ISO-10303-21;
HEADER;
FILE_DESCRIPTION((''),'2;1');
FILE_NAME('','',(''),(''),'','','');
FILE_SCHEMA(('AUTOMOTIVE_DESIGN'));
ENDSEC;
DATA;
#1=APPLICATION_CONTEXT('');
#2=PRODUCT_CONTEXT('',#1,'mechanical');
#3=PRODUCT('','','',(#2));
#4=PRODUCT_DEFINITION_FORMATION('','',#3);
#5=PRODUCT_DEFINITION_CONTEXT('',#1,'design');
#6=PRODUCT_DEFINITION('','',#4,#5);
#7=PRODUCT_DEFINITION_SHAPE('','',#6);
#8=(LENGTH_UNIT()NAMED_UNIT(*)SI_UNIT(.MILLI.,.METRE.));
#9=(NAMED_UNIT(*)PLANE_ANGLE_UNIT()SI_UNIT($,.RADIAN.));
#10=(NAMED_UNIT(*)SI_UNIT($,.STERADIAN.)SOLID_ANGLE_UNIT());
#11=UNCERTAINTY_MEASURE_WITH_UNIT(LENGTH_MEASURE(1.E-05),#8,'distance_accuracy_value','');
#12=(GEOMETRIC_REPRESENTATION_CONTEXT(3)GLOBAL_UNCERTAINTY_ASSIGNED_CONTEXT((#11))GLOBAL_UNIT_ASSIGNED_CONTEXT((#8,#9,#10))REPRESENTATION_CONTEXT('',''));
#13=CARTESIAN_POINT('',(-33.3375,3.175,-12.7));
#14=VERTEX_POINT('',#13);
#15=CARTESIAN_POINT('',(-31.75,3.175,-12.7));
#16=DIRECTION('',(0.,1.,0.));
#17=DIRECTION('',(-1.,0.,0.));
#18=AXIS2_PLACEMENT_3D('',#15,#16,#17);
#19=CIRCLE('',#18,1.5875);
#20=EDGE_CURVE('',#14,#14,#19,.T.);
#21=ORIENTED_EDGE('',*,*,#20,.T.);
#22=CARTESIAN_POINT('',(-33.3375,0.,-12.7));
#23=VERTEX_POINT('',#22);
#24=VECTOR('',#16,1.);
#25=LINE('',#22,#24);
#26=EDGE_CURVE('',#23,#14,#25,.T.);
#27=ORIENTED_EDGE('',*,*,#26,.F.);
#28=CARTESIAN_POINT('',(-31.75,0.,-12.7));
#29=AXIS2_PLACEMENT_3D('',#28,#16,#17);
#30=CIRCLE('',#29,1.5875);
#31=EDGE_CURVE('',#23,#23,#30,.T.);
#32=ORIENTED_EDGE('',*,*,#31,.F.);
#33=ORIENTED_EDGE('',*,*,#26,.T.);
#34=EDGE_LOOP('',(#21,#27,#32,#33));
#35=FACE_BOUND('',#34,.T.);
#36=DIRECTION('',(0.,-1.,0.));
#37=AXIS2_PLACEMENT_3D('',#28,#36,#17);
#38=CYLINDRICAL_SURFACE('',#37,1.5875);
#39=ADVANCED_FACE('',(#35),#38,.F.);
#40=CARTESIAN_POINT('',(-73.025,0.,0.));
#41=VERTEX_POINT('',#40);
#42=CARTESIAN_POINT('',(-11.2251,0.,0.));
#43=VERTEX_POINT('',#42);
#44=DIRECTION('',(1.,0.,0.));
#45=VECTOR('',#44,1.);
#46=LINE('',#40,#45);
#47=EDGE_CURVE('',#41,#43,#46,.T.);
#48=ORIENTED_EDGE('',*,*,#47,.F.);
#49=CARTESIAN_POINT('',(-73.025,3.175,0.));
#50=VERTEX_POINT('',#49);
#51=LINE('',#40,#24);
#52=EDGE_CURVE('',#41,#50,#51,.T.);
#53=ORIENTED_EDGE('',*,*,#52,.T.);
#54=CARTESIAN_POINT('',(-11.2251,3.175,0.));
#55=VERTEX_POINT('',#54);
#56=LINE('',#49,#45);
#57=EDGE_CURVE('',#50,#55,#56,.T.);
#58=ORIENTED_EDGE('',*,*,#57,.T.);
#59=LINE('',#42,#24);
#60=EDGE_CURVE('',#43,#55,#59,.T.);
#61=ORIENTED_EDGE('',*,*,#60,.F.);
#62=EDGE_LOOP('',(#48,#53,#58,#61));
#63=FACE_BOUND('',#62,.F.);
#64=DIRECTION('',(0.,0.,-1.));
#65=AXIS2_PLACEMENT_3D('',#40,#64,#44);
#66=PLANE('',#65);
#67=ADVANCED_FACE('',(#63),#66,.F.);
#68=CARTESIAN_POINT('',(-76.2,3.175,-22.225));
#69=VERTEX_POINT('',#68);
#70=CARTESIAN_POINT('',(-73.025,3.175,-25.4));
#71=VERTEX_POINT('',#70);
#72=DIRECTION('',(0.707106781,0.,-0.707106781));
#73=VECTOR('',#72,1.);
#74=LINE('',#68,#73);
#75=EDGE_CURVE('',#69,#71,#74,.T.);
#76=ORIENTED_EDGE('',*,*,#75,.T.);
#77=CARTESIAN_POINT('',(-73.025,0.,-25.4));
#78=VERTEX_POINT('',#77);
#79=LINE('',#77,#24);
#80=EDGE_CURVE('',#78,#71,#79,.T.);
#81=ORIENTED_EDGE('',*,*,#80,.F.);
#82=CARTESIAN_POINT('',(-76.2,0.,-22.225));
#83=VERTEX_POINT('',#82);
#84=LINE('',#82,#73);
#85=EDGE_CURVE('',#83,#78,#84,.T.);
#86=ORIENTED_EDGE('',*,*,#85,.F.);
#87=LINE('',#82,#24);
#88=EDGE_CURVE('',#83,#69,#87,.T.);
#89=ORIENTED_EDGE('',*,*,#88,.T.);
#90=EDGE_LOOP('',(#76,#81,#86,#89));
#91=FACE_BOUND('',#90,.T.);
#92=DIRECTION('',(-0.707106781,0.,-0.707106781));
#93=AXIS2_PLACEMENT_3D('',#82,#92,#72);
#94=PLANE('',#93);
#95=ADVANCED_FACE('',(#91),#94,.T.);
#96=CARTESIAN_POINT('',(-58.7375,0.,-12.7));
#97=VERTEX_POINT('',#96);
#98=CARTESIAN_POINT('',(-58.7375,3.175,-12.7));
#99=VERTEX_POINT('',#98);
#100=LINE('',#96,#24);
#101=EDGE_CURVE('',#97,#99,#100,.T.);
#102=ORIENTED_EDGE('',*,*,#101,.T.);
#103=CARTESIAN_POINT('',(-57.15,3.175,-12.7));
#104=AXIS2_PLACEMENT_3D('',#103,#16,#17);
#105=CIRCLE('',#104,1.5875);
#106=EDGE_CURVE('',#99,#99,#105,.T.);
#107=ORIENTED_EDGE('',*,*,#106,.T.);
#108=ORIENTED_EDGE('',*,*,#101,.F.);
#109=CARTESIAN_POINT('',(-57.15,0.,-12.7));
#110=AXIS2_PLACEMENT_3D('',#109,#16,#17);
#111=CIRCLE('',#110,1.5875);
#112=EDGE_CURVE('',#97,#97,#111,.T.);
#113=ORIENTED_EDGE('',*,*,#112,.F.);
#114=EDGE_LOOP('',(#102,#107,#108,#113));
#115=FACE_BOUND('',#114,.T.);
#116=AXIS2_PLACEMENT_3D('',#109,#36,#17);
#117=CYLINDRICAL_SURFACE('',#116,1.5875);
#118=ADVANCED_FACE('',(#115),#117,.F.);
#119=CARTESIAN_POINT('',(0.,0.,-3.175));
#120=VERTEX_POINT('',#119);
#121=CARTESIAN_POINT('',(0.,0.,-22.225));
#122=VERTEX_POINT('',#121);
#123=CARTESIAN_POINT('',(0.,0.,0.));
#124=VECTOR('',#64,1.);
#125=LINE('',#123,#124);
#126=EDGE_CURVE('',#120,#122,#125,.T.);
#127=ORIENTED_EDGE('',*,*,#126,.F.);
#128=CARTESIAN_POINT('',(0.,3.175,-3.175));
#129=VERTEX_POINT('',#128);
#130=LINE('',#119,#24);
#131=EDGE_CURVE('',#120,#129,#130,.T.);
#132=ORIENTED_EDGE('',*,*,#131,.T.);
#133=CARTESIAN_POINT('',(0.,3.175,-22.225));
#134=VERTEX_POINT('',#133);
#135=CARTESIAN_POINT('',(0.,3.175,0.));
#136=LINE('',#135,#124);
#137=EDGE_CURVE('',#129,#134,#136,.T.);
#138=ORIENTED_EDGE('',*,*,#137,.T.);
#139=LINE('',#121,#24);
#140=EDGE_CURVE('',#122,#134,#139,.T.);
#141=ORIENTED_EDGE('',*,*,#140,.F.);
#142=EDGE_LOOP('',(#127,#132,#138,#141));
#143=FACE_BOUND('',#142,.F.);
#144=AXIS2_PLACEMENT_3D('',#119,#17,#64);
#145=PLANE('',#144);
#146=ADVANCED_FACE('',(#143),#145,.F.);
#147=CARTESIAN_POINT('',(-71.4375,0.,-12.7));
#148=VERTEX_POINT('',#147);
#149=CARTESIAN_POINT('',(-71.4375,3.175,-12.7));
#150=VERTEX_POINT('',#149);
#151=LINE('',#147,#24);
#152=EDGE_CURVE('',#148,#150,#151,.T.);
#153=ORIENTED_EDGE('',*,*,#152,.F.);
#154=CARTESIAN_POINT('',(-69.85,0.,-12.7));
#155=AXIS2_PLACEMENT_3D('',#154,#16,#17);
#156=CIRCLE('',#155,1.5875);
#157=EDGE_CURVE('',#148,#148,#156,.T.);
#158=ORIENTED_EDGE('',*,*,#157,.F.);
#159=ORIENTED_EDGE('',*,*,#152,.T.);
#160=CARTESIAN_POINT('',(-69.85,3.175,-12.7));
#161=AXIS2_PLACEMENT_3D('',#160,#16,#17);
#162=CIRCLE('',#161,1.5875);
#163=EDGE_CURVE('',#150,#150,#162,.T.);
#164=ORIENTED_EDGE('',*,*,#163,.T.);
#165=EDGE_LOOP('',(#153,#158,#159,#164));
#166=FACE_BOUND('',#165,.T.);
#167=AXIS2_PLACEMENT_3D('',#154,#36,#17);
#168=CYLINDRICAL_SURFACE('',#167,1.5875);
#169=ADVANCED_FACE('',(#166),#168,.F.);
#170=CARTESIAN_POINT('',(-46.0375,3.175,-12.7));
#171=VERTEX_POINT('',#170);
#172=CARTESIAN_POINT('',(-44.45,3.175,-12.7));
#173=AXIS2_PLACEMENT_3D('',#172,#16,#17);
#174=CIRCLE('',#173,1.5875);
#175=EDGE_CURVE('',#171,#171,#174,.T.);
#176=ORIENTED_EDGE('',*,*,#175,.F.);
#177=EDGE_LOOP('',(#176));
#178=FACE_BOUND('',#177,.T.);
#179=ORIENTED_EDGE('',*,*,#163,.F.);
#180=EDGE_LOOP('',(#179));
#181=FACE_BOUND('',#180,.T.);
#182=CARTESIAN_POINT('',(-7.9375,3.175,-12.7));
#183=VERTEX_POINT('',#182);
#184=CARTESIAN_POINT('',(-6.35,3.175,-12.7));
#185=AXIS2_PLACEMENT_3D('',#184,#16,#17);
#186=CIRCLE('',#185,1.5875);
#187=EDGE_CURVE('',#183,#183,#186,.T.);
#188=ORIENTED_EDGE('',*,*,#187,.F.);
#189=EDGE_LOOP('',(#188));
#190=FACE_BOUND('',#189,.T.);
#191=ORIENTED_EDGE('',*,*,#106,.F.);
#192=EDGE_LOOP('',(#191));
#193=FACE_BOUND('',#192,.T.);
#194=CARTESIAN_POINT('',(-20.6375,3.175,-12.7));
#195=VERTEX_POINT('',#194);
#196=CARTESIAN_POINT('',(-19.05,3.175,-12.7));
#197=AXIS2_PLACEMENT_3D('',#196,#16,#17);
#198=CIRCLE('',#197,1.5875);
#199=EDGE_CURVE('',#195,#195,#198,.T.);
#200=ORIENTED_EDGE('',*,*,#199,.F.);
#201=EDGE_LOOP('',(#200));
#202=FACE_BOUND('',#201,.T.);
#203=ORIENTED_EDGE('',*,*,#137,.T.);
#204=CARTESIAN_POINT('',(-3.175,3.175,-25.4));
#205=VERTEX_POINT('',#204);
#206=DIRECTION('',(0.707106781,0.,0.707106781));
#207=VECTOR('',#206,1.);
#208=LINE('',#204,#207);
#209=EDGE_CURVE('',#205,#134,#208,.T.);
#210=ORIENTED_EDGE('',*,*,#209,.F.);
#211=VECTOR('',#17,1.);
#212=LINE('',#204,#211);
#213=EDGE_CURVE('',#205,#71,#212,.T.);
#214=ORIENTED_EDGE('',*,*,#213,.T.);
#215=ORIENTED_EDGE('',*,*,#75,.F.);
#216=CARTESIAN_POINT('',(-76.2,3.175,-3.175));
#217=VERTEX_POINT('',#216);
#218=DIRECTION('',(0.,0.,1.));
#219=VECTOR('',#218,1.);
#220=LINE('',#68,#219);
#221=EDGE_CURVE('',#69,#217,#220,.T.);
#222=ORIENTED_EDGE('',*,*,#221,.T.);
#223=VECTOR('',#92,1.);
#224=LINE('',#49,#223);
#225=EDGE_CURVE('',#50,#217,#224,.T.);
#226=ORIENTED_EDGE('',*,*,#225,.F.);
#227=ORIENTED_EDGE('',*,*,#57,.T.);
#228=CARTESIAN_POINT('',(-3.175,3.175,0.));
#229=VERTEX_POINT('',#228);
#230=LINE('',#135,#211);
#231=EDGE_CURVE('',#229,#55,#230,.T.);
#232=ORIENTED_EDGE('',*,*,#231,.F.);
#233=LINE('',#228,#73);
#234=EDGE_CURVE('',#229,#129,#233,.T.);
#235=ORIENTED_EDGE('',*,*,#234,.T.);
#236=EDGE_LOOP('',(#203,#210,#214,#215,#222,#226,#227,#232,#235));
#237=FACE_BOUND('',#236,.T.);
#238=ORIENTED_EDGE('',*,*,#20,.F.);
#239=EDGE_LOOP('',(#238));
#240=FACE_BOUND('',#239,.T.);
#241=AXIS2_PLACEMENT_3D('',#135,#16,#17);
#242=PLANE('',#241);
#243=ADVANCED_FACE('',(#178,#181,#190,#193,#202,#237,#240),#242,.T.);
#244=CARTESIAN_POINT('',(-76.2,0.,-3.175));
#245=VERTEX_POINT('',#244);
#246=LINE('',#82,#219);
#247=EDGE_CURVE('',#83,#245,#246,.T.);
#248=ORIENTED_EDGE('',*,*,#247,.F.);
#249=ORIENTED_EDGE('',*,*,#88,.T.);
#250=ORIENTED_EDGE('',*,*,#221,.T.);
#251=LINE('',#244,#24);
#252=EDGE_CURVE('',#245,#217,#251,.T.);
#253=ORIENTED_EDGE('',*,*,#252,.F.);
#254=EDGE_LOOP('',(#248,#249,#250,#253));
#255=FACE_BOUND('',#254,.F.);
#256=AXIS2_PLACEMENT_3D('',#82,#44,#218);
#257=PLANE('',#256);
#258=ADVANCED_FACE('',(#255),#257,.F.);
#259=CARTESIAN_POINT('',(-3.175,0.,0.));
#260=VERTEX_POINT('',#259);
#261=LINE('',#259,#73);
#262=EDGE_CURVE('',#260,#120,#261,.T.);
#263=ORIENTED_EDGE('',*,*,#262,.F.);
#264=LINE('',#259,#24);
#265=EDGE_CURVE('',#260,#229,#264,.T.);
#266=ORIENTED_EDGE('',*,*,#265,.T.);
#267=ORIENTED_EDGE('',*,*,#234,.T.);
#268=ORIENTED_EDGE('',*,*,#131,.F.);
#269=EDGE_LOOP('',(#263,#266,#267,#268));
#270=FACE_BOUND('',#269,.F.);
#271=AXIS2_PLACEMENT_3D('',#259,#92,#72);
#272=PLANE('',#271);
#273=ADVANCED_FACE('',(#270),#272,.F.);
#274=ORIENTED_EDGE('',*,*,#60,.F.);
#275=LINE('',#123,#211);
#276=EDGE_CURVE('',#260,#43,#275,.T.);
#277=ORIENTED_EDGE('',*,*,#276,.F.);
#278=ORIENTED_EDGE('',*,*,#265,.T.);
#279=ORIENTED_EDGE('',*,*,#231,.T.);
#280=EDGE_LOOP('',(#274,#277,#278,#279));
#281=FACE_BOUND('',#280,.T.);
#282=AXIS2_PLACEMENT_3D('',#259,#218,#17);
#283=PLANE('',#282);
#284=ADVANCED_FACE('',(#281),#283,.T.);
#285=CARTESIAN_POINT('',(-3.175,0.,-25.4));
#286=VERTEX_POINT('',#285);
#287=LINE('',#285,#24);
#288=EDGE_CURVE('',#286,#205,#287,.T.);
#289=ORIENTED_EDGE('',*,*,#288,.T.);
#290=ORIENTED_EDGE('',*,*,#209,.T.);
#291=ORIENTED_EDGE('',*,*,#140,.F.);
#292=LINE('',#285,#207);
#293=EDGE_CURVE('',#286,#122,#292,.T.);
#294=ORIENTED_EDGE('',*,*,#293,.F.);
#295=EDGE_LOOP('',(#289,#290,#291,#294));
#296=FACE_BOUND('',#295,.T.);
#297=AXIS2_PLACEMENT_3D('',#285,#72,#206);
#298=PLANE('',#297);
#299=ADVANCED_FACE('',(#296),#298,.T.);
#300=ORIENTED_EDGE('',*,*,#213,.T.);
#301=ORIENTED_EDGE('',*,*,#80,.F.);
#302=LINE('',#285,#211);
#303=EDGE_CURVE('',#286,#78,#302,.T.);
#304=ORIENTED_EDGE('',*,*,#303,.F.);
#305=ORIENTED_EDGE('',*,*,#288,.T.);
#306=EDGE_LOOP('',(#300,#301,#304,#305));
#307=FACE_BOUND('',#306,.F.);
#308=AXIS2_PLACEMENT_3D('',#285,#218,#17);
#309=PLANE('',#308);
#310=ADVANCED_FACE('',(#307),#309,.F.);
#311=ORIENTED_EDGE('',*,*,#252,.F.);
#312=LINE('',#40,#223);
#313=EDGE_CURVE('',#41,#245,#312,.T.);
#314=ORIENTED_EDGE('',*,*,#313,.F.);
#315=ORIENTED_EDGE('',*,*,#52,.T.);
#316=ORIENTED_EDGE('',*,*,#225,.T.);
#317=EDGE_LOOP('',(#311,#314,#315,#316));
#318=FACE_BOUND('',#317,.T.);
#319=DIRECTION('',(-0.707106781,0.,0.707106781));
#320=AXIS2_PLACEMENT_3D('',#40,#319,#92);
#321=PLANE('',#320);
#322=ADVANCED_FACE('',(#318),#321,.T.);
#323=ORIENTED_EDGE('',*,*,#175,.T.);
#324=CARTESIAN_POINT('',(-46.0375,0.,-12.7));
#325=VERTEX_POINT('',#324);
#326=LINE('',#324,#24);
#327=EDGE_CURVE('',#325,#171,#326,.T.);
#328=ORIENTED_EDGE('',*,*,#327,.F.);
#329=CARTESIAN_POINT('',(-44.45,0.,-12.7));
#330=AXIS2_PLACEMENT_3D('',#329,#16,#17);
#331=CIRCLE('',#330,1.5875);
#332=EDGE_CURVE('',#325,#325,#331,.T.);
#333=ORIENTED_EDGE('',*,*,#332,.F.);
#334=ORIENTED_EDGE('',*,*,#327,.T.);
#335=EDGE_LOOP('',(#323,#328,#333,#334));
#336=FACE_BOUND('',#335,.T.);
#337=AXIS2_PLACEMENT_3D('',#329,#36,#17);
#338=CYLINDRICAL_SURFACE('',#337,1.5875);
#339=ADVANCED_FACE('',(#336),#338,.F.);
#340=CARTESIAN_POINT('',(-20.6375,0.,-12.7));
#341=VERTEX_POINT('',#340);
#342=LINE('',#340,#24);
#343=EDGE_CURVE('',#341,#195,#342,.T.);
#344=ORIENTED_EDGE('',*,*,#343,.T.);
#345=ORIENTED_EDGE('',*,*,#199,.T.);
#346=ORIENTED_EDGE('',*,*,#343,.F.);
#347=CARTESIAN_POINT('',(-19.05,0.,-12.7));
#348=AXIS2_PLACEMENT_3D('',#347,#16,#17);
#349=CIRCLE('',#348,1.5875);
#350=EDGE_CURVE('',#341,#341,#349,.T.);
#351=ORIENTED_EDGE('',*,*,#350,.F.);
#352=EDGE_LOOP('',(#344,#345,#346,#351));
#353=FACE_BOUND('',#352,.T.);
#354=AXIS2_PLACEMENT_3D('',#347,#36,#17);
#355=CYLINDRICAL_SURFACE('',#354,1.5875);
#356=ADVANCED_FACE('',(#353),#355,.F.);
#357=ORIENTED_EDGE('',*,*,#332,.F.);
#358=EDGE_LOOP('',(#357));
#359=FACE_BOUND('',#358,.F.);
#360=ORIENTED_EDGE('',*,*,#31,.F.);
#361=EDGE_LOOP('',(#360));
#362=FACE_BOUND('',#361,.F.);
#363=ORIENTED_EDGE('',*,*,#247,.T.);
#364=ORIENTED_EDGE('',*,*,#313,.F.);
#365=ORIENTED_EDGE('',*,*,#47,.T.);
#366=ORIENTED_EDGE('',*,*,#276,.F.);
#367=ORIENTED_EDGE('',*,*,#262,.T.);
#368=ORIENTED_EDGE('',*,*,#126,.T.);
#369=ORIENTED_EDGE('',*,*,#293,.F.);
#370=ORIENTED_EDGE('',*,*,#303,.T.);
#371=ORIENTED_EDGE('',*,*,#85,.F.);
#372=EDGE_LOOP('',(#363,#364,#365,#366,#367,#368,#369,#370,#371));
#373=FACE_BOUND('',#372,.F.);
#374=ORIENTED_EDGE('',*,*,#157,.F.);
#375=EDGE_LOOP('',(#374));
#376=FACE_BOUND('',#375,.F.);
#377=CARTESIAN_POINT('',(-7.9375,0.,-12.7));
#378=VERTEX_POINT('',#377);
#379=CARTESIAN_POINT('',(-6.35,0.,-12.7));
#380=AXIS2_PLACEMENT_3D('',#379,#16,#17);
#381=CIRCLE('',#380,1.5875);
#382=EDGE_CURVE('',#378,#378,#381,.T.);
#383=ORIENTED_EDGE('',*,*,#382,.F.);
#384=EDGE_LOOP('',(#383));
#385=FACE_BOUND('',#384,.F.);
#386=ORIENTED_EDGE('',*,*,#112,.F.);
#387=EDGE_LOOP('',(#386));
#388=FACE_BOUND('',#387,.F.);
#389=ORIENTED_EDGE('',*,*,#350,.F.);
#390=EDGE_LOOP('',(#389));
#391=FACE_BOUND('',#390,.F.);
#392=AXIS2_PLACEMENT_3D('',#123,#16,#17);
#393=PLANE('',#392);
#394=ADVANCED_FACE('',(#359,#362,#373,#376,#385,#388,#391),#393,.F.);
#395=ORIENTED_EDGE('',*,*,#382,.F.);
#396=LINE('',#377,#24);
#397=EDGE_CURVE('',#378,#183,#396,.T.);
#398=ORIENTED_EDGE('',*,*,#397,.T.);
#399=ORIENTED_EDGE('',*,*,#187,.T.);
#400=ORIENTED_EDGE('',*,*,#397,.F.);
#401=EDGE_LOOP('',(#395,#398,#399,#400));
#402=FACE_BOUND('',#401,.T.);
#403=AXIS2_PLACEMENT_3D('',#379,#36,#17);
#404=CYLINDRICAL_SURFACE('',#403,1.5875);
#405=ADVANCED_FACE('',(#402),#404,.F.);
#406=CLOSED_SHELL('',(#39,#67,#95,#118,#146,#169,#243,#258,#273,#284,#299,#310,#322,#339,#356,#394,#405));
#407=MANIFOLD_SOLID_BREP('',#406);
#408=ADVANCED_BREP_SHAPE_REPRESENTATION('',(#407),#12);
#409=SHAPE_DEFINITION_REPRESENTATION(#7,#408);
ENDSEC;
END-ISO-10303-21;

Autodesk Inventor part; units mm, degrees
ref_plane "YZ Plane" through (0, 0, 0) normal (1, 0, 0) x (0, 1, 0)
ref_plane "XZ Plane" through (0, 0, 0) normal (0, 1, 0) x (-1, 0, 0)
ref_plane "XY Plane" through (0, 0, 0) normal (0, 0, 1) x (1, 0, 0)
sketch "Sketch1" plane through (0, 0, 0) normal (0, 1, 0) x (-1, 0, 0)
  line L0 (0, 0) -> (11.2251, 0)
  circle A0 centre (6.35, -12.7) radius 1.5875
  circle A1 centre (19.05, -12.7) radius 1.5875
  circle A2 centre (31.75, -12.7) radius 1.5875
  circle A3 centre (44.45, -12.7) radius 1.5875
  circle A4 centre (57.15, -12.7) radius 1.5875
  circle A5 centre (69.85, -12.7) radius 1.5875
  line L1 (0, 0) -> (0, -22.225)
  line L2 (3.175, -25.4) -> (73.025, -25.4)
  line L3 (76.2, -22.225) -> (76.2, -3.175)
  line L4 (73.025, 0) -> (11.2251, 0)
  line L5 (73.025, 0) -> (76.2, -3.175)
  line L6 (76.2, -22.225) -> (73.025, -25.4)
  line L7 (3.175, -25.4) -> (0, -22.225)
  line L8 (3.175, 0) -> (0, -3.175)
  point P0 (5.6126, 0)
  point P1 (0, -25.4)
  point P2 (76.2, -25.4)
  point P3 (76.2, 0)
  dimension "d0" = 3.175
  dimension "d2" = 12.7
  dimension "d5" = 12.7
  dimension "d10" = 25.4
  dimension "d11" = 6.35
  dimension "d12" = 3.175
  dimension "d13" = 3.175
  dimension "d14" = 3.175
  dimension "d15" = 3.175
  dimension "d16" = 3.175
  dimension "d17" = 3.175
extrude "Extrusion1" add sketch "Sketch1" along normal blind 3.175 contours L0 L4 L5 L3 L6 L2 L7 L1 L8
equation "\"d13\" = d12"
equation "\"d14\" = d12"
equation "\"d15\" = d14"
equation "\"d16\" = d12"
equation "\"d17\" = d16"
properties part number "Straight Bracket (6)"
